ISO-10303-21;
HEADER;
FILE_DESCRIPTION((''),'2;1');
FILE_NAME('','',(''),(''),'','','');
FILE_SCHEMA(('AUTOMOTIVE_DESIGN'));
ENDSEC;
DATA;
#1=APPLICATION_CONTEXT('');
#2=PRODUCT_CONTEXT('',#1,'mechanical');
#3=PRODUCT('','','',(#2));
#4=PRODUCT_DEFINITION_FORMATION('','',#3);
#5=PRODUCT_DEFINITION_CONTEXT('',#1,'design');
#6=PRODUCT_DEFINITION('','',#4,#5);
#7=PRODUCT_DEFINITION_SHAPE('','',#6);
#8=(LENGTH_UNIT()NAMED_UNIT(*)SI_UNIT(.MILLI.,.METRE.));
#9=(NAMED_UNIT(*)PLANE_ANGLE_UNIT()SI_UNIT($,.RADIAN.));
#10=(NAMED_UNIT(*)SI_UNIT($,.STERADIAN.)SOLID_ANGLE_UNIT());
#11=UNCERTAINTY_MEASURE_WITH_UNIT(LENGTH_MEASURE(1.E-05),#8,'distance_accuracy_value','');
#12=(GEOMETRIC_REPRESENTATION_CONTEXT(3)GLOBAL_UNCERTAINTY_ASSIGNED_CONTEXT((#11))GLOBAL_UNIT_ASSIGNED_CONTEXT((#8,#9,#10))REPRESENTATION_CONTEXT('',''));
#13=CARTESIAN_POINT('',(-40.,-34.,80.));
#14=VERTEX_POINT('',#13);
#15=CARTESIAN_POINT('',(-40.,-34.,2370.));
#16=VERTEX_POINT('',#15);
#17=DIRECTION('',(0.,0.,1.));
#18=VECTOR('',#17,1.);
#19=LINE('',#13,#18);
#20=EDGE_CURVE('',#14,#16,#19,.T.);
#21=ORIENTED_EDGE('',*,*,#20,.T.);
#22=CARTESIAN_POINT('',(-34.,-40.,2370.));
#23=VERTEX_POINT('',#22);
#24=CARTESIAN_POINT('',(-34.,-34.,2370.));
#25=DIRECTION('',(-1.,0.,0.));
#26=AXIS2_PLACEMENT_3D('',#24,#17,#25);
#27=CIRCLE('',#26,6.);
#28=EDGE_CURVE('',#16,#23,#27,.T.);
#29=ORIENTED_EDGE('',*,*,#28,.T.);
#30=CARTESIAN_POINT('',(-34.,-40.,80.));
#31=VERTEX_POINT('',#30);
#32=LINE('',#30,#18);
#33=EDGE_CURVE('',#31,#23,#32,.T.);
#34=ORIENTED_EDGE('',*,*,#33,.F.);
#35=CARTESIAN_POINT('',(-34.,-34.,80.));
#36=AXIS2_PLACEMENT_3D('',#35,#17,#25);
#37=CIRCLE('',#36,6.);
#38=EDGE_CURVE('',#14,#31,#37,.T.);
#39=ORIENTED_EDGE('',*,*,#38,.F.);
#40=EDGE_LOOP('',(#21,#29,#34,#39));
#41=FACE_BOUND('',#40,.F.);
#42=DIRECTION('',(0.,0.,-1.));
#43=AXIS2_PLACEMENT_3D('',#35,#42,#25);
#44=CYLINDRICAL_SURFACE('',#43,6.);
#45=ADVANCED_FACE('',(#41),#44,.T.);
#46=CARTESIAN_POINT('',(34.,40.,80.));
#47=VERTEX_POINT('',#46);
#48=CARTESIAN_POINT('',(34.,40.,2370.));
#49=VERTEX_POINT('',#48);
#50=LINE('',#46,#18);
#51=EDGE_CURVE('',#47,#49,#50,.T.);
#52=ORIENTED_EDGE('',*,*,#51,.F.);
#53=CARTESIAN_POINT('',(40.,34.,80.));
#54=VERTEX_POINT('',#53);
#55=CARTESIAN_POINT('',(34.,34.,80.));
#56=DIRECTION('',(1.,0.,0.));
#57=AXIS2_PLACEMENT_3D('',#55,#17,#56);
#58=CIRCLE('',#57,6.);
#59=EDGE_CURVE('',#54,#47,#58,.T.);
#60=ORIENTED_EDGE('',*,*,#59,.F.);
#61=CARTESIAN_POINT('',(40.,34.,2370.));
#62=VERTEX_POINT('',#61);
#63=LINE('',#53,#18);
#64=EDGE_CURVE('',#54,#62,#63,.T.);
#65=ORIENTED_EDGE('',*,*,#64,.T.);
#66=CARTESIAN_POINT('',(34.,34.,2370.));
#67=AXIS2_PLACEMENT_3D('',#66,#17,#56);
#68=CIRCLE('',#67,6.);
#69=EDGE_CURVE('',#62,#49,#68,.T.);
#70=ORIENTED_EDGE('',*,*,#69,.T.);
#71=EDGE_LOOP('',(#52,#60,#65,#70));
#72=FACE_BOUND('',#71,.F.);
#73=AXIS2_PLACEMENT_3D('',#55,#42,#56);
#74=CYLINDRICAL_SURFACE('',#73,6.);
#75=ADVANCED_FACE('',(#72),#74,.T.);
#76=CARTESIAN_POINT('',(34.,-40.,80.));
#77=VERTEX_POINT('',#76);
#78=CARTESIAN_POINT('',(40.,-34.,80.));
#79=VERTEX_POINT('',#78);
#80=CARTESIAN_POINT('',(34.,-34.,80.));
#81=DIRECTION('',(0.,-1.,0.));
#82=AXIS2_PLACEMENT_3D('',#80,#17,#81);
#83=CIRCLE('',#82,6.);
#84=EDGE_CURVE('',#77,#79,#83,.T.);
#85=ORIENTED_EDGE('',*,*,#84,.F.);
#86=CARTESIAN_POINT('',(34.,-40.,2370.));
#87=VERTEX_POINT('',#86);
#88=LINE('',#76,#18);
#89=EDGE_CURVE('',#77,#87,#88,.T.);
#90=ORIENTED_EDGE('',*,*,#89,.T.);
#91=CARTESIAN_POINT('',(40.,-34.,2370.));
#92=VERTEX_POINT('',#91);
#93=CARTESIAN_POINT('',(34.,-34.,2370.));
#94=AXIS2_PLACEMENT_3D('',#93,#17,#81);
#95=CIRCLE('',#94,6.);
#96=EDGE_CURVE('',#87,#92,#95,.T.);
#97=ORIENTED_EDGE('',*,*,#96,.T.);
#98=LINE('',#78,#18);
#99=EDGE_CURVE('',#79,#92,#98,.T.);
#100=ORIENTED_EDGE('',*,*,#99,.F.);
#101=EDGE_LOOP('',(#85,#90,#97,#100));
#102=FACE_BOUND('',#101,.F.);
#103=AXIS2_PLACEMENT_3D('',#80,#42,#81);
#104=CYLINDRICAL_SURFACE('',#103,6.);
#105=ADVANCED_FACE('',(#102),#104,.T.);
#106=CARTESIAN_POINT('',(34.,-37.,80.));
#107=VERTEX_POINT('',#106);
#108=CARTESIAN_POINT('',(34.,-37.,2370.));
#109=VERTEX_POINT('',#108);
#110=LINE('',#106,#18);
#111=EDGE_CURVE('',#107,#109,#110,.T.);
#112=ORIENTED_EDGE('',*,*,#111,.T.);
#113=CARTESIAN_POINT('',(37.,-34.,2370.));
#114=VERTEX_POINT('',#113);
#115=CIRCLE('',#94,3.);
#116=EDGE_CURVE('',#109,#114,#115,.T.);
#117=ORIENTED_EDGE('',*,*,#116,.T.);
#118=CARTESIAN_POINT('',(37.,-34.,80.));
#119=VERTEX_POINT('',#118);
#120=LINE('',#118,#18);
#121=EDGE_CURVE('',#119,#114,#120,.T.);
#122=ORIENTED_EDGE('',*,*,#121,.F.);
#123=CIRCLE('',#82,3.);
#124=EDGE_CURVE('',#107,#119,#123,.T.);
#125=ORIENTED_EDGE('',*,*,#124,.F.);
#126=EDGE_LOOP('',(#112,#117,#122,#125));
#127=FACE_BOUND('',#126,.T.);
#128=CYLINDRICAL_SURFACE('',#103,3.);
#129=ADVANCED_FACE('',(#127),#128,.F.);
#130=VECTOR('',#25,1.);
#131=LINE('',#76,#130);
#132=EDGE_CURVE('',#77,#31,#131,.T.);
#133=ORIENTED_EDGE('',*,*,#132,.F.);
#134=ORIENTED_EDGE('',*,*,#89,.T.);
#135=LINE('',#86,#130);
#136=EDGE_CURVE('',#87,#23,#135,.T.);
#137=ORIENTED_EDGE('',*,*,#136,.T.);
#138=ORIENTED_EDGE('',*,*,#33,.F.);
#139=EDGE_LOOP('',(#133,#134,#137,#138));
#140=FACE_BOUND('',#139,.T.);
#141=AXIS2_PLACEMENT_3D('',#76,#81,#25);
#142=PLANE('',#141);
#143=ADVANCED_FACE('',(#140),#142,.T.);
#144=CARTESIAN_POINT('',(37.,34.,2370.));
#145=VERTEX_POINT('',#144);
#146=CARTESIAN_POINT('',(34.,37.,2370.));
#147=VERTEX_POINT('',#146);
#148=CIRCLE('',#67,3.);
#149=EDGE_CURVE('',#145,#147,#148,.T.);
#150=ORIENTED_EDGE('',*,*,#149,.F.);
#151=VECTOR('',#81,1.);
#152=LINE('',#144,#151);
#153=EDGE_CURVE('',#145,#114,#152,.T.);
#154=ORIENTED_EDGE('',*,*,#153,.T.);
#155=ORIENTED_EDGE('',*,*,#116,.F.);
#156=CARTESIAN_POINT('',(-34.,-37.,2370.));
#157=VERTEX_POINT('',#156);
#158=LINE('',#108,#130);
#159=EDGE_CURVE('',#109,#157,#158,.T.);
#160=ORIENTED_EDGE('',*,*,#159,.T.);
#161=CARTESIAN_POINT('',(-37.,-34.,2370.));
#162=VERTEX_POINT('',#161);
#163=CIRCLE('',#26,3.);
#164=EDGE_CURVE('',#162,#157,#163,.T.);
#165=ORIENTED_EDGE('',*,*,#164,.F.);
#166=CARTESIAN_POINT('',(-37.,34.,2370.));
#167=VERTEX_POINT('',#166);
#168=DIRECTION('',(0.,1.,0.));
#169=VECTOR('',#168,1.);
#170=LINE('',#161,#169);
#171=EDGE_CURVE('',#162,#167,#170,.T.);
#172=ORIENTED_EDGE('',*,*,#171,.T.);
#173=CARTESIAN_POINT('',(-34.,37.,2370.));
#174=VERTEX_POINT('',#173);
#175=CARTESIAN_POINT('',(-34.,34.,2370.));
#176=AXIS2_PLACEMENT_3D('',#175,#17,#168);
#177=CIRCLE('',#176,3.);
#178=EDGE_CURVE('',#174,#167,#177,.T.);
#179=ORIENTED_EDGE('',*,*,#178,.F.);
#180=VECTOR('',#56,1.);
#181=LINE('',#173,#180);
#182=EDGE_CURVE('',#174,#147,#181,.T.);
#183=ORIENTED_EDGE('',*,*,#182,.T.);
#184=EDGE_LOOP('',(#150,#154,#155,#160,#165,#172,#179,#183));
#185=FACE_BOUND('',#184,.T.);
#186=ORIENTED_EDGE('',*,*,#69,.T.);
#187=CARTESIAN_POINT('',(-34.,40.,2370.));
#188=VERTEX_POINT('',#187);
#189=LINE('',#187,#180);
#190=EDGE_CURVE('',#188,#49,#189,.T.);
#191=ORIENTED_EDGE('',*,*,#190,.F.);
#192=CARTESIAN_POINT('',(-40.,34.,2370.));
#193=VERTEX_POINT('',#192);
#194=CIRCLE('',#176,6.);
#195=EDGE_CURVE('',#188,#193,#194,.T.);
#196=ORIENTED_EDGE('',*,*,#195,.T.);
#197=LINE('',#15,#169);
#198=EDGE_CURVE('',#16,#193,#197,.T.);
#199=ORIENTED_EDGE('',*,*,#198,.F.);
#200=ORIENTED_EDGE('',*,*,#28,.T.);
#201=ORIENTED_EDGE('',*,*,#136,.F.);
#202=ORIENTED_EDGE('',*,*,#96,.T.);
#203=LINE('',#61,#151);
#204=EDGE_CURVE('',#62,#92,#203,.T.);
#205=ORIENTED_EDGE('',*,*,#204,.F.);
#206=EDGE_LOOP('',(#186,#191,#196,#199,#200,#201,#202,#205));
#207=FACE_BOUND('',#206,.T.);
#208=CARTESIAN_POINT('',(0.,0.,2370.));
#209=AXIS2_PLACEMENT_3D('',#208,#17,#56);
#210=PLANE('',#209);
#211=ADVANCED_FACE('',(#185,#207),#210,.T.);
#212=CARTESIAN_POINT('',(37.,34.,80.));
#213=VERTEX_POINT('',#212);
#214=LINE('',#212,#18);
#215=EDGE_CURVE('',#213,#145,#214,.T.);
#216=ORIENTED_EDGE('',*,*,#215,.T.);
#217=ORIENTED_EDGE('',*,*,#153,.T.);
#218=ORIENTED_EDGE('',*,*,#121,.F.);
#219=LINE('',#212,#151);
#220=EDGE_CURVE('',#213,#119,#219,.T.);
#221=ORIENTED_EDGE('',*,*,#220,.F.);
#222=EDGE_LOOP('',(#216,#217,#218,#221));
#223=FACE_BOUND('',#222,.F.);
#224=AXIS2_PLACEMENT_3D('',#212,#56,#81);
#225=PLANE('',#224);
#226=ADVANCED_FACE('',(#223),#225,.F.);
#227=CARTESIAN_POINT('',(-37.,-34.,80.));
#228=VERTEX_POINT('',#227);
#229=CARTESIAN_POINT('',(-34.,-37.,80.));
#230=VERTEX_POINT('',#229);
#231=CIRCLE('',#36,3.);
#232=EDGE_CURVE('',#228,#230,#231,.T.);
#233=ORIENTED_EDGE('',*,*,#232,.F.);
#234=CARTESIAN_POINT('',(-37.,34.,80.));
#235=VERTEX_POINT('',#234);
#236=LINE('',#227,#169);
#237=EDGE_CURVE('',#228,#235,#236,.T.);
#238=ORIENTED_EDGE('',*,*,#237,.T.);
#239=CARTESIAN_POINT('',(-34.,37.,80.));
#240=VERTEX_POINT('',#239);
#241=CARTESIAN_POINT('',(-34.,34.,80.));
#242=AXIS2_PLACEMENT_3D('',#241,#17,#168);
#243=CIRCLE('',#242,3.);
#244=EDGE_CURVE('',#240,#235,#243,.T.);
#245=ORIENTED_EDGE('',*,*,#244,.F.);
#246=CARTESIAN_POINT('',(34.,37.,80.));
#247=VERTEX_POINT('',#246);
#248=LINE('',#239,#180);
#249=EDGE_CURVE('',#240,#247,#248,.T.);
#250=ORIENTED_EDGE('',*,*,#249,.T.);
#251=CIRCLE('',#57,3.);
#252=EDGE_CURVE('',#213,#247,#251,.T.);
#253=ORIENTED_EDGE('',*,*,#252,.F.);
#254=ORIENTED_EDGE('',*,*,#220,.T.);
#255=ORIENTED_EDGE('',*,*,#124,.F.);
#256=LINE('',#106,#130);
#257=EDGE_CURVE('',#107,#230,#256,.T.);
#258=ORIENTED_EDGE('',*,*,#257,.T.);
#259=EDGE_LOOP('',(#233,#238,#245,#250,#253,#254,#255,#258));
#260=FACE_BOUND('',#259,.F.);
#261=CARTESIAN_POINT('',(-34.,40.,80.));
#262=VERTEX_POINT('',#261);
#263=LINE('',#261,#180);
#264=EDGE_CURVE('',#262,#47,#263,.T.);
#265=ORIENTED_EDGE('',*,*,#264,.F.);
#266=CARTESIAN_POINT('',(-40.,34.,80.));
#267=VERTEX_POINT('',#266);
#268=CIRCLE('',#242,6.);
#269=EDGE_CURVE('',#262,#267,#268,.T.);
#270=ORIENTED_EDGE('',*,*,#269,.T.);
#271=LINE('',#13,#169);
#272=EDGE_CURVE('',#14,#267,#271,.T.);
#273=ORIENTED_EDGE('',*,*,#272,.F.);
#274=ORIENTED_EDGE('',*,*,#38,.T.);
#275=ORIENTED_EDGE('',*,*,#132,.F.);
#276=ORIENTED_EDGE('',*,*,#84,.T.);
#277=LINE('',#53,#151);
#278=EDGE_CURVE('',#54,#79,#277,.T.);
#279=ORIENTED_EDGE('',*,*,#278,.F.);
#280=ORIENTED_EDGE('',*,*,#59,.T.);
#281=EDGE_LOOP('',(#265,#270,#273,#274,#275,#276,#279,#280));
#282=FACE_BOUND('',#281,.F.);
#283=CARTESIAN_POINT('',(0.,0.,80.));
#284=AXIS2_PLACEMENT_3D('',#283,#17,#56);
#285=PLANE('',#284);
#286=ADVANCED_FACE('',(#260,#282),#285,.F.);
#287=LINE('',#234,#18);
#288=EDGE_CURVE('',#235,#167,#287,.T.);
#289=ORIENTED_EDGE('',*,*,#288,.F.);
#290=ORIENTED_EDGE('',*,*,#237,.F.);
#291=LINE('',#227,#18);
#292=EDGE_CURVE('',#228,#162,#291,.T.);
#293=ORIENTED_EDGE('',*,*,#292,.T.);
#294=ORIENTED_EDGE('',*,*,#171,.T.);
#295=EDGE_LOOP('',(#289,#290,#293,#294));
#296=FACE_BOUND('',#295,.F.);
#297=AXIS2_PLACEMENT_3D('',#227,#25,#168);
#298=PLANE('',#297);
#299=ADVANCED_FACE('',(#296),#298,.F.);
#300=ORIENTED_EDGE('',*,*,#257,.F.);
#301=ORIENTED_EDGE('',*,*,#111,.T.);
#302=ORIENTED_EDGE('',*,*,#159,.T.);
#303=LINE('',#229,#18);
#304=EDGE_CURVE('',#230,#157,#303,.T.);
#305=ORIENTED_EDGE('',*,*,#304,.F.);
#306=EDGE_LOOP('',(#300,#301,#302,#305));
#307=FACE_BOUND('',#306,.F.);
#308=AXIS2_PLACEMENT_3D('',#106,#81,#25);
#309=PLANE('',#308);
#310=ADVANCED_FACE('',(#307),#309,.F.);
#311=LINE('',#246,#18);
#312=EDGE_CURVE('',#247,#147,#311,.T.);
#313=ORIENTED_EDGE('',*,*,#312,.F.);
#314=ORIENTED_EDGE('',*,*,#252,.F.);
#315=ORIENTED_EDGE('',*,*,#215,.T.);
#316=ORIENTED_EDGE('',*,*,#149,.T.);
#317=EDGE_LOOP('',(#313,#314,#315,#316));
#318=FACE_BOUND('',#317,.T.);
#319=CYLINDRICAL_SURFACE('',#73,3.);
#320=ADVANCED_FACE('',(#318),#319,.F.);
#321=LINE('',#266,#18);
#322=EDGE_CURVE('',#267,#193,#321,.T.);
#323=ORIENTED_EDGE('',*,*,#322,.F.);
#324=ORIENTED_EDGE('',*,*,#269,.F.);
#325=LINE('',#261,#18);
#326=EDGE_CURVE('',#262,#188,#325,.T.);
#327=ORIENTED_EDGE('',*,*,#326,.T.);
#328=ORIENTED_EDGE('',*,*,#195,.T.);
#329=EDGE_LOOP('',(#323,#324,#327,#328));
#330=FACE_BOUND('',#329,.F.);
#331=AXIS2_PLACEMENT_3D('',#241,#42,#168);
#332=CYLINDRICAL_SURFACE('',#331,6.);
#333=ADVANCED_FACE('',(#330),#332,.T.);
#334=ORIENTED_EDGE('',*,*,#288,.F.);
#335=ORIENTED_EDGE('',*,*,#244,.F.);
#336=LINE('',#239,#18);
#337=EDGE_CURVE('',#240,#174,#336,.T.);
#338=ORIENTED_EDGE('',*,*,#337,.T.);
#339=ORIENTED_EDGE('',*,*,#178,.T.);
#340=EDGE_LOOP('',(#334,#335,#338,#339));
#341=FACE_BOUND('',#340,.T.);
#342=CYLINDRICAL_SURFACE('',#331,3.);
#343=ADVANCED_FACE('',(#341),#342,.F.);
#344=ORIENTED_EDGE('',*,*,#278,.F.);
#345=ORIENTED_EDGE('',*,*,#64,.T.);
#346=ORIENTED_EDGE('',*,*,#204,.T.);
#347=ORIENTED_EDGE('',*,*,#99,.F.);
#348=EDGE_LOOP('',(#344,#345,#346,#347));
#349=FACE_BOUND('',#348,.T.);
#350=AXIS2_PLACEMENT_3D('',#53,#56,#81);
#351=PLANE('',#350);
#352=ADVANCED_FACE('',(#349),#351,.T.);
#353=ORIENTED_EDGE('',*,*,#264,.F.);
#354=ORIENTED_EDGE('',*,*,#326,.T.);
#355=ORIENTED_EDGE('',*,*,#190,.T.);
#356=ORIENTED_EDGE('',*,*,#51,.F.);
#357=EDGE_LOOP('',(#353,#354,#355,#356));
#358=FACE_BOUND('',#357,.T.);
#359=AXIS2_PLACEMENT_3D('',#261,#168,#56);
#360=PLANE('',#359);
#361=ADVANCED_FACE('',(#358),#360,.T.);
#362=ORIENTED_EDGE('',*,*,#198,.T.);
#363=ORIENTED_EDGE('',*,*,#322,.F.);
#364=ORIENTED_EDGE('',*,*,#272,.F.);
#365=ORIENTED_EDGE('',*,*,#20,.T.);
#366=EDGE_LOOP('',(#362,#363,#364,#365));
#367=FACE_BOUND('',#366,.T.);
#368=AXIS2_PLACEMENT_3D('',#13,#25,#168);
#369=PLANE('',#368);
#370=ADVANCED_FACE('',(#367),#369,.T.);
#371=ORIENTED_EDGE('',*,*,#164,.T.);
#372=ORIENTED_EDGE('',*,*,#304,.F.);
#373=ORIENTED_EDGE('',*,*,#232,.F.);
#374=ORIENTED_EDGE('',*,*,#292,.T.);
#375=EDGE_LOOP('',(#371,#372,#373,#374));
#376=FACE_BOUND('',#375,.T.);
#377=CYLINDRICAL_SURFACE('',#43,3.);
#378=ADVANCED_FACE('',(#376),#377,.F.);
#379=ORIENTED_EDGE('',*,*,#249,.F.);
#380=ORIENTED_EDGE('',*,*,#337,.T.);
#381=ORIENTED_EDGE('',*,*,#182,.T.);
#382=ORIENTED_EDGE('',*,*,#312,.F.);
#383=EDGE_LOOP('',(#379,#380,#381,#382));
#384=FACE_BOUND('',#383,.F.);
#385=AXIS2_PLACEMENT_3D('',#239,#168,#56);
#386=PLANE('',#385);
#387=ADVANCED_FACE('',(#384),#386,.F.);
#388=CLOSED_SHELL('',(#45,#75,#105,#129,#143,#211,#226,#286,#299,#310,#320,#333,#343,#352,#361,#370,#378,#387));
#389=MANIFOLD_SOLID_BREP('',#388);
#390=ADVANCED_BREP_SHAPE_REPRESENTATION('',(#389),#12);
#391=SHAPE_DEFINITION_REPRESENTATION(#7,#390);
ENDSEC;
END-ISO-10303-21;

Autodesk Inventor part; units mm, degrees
ref_plane "YZ Plane" through (0, 0, 0) normal (1, 0, 0) x (0, 1, 0)
ref_plane "Start plane" through (0, 0, 80) normal (0, 0, 1) x (1, 0, 0)
ref_plane "End plane" through (0, 0, 2370) normal (0, 0, 1) x (1, 0, 0)
sketch "Sketch" plane through (0, 0, 0) normal (0, 0, 1) x (1, 0, 0)
  line L0 (-40, -34) -> (-40, 34)
  line L1 (-34, 40) -> (34, 40)
  line L2 (40, 34) -> (40, -34)
  line L3 (34, -40) -> (-34, -40)
  arc A0 (-40, -34) -> (-34, -40) centre (-34, -34) ccw
  arc A1 (40, 34) -> (34, 40) centre (34, 34) ccw
  arc A2 (-34, 40) -> (-40, 34) centre (-34, 34) ccw
  arc A3 (34, -40) -> (40, -34) centre (34, -34) ccw
  arc A4 (-34, 37) -> (-37, 34) centre (-34, 34) ccw
  line L4 (-34, 37) -> (34, 37)
  arc A5 (37, 34) -> (34, 37) centre (34, 34) ccw
  line L5 (37, 34) -> (37, -34)
  arc A6 (34, -37) -> (37, -34) centre (34, -34) ccw
  line L6 (34, -37) -> (-34, -37)
  arc A7 (-37, -34) -> (-34, -37) centre (-34, -34) ccw
  line L7 (-37, -34) -> (-37, 34)
  line L8 (0, 57.7397) -> (0, -57.7397) construction
  line L9 (-57.7397, 0) -> (57.7397, 0) construction
  dimension "d7" = 6
  dimension "d9" = 80
  dimension "d11" = 80
  dimension "d12" = 3
  dimension "d15" = 40
  dimension "d16" = 40
extrude "Body" add sketch "Sketch" along normal up to surface (2290 mm away) from surface at 80
sketch "Sketch3" plane through (0, 0, 0) normal (0, 0, 1) x (1, 0, 0)
  line L0 (0, 0) -> (10, 0)
ref_plane "Work Plane3" through (0, 0, 0) normal (0, -1, 0) x (1, 0, 0)
sketch "Sketch4" plane through (0, 0, 0) normal (0, -1, 0) x (1, 0, 0)
  line L0 (-2, 80) -> (12, 80) projected
  line L1 (-2, 2370) -> (12, 2370) projected
  dimension "d18" = 2290
equation "\"d7\" = G_IR"
equation "\"d9\" = G_W"
equation "\"d11\" = G_H"
equation "\"d12\" = G_T"
equation "\"d15\" = 0.5 * d9"
equation "\"d16\" = 0.5 * d11"
equation "\"d3\" = G_L"
equation "\"G_W\" = 80"
equation "\"G_H\" = 80"
equation "\"G_T\" = 3"
equation "\"G_IR\" = 6"
equation "\"G_L\" = d18"
properties part number "ISO 10799-2 - 80x80x3 - 2290" material "Steel, Mild"
